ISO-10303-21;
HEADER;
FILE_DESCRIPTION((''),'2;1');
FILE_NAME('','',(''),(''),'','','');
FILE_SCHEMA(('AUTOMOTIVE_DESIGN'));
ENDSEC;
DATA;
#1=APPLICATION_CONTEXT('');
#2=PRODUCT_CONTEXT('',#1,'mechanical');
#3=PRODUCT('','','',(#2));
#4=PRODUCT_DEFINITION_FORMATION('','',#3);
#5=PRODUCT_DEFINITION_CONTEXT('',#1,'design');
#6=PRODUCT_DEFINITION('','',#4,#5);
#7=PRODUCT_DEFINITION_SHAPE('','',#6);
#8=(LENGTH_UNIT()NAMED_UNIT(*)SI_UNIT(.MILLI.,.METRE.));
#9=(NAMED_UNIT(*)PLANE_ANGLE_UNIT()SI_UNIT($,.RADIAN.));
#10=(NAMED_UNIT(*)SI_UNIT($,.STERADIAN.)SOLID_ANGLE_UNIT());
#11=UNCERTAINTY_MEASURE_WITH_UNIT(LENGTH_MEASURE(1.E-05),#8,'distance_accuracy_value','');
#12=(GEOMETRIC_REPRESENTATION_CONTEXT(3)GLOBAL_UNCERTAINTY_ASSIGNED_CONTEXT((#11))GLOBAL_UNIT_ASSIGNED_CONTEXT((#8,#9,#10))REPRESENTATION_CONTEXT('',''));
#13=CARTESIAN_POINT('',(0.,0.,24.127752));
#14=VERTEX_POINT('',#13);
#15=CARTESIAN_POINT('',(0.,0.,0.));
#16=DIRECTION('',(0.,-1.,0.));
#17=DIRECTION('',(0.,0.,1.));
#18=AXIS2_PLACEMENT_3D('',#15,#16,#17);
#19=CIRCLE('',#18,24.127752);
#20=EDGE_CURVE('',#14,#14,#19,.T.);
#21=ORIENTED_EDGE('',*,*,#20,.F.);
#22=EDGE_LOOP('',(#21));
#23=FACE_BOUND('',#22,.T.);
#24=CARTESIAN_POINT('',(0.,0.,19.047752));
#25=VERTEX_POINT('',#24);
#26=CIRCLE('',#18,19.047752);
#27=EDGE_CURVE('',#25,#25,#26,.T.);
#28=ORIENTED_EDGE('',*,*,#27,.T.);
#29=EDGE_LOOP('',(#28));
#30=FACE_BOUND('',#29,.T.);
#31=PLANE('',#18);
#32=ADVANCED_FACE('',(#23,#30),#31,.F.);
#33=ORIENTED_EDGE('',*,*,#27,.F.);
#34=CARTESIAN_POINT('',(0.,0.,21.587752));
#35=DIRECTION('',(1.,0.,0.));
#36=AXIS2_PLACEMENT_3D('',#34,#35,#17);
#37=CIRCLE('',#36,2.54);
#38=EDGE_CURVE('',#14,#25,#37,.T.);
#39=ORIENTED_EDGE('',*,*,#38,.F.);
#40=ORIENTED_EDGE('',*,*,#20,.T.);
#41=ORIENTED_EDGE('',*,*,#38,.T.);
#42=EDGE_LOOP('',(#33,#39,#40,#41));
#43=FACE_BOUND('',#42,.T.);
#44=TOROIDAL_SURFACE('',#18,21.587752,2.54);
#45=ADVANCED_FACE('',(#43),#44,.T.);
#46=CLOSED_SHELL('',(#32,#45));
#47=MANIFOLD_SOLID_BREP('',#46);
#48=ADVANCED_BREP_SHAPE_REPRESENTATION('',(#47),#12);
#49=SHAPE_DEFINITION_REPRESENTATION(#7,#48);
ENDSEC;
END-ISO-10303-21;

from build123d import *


with BuildPart() as f2:
    # F1 (on Right) → F2 (revolve)
    with BuildSketch(Plane.YZ):
        with BuildLine():
            Line((0, 19.0477518058), (0, 24.1277518058))
            ThreePointArc((0, 24.1277518058), (-2.54, 21.5877518058), (0, 19.0477518058))
        make_face()
    revolve(axis=Axis((0, 0, 0), (0, -1, 0)))


solid = f2.part
